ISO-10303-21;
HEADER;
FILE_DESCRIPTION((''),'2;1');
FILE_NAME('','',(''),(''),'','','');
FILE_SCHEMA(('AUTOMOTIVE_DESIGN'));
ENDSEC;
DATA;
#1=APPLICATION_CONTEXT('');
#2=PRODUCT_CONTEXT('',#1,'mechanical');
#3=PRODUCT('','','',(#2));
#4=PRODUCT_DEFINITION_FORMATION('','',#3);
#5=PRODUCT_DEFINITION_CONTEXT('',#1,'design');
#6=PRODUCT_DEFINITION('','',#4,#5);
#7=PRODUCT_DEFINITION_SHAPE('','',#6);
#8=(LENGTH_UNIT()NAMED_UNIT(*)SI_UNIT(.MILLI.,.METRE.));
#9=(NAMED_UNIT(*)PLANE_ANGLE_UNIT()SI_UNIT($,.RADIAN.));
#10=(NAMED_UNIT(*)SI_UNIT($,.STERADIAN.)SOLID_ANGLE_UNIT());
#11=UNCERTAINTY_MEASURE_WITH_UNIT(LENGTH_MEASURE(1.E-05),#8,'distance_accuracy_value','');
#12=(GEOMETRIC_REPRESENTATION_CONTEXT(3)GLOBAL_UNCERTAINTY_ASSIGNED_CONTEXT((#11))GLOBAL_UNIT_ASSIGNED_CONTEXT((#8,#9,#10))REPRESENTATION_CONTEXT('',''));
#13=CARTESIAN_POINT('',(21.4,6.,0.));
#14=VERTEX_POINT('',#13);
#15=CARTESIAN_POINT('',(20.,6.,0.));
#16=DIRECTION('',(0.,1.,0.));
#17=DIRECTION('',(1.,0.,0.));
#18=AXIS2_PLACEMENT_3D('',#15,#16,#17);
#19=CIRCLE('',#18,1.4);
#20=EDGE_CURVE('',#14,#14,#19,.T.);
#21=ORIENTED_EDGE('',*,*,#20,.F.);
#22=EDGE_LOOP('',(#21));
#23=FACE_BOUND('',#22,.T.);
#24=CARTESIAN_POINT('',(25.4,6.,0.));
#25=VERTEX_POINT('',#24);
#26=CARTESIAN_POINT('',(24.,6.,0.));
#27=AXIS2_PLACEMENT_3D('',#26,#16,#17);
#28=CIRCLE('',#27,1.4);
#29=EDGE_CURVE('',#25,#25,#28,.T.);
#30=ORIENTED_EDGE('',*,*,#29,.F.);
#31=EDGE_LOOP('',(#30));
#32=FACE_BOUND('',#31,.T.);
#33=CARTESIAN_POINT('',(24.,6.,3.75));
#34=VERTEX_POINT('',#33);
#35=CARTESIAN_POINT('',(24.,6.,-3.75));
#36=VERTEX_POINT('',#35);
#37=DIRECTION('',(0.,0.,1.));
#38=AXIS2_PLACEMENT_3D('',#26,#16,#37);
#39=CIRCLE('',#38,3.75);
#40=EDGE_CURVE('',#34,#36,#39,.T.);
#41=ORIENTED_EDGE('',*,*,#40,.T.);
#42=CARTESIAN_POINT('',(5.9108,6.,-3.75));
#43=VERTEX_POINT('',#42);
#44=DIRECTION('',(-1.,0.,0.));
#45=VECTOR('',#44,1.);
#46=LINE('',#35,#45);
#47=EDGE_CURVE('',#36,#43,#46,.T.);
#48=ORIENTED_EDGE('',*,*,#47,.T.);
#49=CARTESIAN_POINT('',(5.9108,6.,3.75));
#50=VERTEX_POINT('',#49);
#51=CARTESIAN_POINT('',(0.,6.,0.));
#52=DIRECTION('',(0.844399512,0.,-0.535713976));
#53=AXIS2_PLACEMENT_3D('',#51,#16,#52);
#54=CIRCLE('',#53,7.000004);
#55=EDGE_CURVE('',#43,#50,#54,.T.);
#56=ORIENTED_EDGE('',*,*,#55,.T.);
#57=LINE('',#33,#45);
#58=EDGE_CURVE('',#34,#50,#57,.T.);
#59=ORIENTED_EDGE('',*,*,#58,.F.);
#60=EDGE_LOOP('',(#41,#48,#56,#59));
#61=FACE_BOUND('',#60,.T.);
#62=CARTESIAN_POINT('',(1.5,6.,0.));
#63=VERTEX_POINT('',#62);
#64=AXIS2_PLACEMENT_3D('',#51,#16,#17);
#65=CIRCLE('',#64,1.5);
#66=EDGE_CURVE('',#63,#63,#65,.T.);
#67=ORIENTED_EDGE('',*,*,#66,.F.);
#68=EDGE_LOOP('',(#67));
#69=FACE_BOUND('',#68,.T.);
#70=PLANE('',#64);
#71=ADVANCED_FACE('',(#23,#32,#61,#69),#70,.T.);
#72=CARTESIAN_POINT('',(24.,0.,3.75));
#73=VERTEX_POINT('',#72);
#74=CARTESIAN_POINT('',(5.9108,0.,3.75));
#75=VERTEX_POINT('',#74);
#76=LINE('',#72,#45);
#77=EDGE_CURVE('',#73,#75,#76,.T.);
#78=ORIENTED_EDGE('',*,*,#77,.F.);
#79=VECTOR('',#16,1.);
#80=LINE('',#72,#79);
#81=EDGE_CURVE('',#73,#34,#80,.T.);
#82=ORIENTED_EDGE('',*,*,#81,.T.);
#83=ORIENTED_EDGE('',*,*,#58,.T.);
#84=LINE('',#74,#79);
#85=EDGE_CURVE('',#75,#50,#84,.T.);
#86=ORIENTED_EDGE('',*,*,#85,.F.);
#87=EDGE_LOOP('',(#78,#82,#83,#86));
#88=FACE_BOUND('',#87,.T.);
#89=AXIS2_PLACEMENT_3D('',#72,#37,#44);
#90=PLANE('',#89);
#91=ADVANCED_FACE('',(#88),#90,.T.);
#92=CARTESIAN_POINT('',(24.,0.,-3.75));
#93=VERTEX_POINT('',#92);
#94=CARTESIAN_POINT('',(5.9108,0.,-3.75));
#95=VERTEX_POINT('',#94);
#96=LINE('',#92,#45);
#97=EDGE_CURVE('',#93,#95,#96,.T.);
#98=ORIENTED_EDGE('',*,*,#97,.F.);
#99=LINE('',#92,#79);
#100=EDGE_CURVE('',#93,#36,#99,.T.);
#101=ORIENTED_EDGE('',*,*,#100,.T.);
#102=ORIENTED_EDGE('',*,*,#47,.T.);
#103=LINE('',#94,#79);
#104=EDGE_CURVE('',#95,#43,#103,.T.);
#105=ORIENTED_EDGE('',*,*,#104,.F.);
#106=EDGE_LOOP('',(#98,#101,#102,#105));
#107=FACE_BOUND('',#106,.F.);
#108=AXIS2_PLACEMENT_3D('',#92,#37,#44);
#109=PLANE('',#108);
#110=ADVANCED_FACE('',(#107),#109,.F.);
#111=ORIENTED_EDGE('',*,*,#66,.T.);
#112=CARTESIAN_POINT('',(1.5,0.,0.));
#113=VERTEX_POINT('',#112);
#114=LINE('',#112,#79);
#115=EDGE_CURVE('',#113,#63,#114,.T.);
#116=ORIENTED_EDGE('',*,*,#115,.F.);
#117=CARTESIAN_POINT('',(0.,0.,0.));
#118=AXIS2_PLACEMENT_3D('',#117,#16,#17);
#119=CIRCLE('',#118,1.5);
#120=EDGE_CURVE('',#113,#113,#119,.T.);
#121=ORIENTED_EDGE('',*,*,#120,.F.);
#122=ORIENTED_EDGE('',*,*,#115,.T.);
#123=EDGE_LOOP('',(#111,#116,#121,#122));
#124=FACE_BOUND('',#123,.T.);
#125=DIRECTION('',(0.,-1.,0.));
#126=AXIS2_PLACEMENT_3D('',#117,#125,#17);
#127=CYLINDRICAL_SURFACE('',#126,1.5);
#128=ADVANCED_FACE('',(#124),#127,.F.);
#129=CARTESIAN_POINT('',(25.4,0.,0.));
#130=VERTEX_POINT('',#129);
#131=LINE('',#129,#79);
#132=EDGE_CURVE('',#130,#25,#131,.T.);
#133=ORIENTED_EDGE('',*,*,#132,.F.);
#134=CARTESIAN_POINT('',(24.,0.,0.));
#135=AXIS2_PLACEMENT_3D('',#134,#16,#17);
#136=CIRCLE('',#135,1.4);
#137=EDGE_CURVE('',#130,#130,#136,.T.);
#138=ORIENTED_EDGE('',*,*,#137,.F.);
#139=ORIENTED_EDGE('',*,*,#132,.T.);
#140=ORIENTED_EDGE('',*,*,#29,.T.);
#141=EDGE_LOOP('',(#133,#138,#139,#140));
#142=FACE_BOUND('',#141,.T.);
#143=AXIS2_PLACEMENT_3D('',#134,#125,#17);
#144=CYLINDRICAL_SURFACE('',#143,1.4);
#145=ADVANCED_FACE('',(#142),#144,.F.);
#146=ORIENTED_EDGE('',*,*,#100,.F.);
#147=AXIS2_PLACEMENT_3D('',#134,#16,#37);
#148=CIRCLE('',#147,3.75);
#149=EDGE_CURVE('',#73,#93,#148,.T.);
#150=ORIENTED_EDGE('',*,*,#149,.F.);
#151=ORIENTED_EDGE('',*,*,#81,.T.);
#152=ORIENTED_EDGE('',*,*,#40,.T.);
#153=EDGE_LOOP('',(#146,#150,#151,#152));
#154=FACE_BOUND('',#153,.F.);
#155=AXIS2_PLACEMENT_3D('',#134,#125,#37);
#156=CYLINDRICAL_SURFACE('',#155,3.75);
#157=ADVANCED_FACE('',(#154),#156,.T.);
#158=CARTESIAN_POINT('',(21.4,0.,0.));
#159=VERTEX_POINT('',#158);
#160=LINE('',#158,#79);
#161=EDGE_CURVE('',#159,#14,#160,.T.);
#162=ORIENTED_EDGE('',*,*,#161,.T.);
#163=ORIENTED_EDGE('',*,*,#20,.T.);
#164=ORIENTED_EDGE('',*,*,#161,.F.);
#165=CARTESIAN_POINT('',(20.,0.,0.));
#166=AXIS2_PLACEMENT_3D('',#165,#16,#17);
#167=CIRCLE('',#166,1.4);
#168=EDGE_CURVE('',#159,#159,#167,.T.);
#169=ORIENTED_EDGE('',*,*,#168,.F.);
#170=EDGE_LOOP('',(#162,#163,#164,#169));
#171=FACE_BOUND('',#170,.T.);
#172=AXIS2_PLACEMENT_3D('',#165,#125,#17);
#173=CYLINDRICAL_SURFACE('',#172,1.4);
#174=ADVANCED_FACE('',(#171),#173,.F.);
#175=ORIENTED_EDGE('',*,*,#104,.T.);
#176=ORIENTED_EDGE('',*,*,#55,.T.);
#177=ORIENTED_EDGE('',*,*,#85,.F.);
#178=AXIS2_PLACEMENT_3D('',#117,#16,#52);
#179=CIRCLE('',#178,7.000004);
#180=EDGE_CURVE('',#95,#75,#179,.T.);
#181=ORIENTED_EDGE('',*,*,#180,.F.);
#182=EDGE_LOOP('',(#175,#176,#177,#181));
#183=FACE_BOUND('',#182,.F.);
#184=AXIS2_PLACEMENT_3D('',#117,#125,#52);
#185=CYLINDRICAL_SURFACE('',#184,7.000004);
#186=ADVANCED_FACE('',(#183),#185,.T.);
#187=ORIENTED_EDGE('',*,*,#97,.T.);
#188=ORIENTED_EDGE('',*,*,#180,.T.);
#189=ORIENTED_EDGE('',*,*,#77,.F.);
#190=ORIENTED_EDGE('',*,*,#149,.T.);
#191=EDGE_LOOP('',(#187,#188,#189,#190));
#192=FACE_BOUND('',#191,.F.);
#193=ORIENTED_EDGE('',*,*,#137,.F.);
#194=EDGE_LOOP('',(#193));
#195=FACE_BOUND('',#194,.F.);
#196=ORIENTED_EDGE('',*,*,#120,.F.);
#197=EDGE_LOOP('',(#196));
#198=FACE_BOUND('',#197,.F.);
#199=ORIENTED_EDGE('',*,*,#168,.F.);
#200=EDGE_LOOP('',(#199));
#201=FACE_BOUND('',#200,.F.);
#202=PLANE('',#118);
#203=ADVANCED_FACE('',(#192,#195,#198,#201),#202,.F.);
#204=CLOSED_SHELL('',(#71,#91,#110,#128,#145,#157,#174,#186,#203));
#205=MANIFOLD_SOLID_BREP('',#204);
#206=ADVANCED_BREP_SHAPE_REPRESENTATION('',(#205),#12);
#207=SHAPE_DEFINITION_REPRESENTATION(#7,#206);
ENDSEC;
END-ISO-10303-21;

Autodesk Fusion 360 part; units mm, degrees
sketch "Skizze1" plane through (0, 0, 0) normal (0, 1, 0) x (1, 0, 0)
  circle A0 centre (0, 0) radius 1.5
  circle A1 centre (20, 0) radius 1.4
  circle A2 centre (24, 0) radius 1.4
  line L0 (0, 0) -> (24, 0) construction
  line L1 (24, 3.75) -> (5.9108, 3.75)
  line L2 (24, -3.75) -> (5.9108, -3.75)
  arc A3 (24, -3.75) -> (24, 3.75) centre (24, 0) ccw
  arc A4 (5.9108, 3.75) -> (5.9108, -3.75) centre (0, 0) ccw
  dimension "d1" = 3
  dimension "d2" = 2.8
  dimension "d3" = 2.8
  dimension "d4" = 20
  dimension "d5" = 4
  dimension "d6" = 14
  dimension "d7" = 7.5
extrude "Extrusion1" add sketch "Skizze1" along normal blind 6
